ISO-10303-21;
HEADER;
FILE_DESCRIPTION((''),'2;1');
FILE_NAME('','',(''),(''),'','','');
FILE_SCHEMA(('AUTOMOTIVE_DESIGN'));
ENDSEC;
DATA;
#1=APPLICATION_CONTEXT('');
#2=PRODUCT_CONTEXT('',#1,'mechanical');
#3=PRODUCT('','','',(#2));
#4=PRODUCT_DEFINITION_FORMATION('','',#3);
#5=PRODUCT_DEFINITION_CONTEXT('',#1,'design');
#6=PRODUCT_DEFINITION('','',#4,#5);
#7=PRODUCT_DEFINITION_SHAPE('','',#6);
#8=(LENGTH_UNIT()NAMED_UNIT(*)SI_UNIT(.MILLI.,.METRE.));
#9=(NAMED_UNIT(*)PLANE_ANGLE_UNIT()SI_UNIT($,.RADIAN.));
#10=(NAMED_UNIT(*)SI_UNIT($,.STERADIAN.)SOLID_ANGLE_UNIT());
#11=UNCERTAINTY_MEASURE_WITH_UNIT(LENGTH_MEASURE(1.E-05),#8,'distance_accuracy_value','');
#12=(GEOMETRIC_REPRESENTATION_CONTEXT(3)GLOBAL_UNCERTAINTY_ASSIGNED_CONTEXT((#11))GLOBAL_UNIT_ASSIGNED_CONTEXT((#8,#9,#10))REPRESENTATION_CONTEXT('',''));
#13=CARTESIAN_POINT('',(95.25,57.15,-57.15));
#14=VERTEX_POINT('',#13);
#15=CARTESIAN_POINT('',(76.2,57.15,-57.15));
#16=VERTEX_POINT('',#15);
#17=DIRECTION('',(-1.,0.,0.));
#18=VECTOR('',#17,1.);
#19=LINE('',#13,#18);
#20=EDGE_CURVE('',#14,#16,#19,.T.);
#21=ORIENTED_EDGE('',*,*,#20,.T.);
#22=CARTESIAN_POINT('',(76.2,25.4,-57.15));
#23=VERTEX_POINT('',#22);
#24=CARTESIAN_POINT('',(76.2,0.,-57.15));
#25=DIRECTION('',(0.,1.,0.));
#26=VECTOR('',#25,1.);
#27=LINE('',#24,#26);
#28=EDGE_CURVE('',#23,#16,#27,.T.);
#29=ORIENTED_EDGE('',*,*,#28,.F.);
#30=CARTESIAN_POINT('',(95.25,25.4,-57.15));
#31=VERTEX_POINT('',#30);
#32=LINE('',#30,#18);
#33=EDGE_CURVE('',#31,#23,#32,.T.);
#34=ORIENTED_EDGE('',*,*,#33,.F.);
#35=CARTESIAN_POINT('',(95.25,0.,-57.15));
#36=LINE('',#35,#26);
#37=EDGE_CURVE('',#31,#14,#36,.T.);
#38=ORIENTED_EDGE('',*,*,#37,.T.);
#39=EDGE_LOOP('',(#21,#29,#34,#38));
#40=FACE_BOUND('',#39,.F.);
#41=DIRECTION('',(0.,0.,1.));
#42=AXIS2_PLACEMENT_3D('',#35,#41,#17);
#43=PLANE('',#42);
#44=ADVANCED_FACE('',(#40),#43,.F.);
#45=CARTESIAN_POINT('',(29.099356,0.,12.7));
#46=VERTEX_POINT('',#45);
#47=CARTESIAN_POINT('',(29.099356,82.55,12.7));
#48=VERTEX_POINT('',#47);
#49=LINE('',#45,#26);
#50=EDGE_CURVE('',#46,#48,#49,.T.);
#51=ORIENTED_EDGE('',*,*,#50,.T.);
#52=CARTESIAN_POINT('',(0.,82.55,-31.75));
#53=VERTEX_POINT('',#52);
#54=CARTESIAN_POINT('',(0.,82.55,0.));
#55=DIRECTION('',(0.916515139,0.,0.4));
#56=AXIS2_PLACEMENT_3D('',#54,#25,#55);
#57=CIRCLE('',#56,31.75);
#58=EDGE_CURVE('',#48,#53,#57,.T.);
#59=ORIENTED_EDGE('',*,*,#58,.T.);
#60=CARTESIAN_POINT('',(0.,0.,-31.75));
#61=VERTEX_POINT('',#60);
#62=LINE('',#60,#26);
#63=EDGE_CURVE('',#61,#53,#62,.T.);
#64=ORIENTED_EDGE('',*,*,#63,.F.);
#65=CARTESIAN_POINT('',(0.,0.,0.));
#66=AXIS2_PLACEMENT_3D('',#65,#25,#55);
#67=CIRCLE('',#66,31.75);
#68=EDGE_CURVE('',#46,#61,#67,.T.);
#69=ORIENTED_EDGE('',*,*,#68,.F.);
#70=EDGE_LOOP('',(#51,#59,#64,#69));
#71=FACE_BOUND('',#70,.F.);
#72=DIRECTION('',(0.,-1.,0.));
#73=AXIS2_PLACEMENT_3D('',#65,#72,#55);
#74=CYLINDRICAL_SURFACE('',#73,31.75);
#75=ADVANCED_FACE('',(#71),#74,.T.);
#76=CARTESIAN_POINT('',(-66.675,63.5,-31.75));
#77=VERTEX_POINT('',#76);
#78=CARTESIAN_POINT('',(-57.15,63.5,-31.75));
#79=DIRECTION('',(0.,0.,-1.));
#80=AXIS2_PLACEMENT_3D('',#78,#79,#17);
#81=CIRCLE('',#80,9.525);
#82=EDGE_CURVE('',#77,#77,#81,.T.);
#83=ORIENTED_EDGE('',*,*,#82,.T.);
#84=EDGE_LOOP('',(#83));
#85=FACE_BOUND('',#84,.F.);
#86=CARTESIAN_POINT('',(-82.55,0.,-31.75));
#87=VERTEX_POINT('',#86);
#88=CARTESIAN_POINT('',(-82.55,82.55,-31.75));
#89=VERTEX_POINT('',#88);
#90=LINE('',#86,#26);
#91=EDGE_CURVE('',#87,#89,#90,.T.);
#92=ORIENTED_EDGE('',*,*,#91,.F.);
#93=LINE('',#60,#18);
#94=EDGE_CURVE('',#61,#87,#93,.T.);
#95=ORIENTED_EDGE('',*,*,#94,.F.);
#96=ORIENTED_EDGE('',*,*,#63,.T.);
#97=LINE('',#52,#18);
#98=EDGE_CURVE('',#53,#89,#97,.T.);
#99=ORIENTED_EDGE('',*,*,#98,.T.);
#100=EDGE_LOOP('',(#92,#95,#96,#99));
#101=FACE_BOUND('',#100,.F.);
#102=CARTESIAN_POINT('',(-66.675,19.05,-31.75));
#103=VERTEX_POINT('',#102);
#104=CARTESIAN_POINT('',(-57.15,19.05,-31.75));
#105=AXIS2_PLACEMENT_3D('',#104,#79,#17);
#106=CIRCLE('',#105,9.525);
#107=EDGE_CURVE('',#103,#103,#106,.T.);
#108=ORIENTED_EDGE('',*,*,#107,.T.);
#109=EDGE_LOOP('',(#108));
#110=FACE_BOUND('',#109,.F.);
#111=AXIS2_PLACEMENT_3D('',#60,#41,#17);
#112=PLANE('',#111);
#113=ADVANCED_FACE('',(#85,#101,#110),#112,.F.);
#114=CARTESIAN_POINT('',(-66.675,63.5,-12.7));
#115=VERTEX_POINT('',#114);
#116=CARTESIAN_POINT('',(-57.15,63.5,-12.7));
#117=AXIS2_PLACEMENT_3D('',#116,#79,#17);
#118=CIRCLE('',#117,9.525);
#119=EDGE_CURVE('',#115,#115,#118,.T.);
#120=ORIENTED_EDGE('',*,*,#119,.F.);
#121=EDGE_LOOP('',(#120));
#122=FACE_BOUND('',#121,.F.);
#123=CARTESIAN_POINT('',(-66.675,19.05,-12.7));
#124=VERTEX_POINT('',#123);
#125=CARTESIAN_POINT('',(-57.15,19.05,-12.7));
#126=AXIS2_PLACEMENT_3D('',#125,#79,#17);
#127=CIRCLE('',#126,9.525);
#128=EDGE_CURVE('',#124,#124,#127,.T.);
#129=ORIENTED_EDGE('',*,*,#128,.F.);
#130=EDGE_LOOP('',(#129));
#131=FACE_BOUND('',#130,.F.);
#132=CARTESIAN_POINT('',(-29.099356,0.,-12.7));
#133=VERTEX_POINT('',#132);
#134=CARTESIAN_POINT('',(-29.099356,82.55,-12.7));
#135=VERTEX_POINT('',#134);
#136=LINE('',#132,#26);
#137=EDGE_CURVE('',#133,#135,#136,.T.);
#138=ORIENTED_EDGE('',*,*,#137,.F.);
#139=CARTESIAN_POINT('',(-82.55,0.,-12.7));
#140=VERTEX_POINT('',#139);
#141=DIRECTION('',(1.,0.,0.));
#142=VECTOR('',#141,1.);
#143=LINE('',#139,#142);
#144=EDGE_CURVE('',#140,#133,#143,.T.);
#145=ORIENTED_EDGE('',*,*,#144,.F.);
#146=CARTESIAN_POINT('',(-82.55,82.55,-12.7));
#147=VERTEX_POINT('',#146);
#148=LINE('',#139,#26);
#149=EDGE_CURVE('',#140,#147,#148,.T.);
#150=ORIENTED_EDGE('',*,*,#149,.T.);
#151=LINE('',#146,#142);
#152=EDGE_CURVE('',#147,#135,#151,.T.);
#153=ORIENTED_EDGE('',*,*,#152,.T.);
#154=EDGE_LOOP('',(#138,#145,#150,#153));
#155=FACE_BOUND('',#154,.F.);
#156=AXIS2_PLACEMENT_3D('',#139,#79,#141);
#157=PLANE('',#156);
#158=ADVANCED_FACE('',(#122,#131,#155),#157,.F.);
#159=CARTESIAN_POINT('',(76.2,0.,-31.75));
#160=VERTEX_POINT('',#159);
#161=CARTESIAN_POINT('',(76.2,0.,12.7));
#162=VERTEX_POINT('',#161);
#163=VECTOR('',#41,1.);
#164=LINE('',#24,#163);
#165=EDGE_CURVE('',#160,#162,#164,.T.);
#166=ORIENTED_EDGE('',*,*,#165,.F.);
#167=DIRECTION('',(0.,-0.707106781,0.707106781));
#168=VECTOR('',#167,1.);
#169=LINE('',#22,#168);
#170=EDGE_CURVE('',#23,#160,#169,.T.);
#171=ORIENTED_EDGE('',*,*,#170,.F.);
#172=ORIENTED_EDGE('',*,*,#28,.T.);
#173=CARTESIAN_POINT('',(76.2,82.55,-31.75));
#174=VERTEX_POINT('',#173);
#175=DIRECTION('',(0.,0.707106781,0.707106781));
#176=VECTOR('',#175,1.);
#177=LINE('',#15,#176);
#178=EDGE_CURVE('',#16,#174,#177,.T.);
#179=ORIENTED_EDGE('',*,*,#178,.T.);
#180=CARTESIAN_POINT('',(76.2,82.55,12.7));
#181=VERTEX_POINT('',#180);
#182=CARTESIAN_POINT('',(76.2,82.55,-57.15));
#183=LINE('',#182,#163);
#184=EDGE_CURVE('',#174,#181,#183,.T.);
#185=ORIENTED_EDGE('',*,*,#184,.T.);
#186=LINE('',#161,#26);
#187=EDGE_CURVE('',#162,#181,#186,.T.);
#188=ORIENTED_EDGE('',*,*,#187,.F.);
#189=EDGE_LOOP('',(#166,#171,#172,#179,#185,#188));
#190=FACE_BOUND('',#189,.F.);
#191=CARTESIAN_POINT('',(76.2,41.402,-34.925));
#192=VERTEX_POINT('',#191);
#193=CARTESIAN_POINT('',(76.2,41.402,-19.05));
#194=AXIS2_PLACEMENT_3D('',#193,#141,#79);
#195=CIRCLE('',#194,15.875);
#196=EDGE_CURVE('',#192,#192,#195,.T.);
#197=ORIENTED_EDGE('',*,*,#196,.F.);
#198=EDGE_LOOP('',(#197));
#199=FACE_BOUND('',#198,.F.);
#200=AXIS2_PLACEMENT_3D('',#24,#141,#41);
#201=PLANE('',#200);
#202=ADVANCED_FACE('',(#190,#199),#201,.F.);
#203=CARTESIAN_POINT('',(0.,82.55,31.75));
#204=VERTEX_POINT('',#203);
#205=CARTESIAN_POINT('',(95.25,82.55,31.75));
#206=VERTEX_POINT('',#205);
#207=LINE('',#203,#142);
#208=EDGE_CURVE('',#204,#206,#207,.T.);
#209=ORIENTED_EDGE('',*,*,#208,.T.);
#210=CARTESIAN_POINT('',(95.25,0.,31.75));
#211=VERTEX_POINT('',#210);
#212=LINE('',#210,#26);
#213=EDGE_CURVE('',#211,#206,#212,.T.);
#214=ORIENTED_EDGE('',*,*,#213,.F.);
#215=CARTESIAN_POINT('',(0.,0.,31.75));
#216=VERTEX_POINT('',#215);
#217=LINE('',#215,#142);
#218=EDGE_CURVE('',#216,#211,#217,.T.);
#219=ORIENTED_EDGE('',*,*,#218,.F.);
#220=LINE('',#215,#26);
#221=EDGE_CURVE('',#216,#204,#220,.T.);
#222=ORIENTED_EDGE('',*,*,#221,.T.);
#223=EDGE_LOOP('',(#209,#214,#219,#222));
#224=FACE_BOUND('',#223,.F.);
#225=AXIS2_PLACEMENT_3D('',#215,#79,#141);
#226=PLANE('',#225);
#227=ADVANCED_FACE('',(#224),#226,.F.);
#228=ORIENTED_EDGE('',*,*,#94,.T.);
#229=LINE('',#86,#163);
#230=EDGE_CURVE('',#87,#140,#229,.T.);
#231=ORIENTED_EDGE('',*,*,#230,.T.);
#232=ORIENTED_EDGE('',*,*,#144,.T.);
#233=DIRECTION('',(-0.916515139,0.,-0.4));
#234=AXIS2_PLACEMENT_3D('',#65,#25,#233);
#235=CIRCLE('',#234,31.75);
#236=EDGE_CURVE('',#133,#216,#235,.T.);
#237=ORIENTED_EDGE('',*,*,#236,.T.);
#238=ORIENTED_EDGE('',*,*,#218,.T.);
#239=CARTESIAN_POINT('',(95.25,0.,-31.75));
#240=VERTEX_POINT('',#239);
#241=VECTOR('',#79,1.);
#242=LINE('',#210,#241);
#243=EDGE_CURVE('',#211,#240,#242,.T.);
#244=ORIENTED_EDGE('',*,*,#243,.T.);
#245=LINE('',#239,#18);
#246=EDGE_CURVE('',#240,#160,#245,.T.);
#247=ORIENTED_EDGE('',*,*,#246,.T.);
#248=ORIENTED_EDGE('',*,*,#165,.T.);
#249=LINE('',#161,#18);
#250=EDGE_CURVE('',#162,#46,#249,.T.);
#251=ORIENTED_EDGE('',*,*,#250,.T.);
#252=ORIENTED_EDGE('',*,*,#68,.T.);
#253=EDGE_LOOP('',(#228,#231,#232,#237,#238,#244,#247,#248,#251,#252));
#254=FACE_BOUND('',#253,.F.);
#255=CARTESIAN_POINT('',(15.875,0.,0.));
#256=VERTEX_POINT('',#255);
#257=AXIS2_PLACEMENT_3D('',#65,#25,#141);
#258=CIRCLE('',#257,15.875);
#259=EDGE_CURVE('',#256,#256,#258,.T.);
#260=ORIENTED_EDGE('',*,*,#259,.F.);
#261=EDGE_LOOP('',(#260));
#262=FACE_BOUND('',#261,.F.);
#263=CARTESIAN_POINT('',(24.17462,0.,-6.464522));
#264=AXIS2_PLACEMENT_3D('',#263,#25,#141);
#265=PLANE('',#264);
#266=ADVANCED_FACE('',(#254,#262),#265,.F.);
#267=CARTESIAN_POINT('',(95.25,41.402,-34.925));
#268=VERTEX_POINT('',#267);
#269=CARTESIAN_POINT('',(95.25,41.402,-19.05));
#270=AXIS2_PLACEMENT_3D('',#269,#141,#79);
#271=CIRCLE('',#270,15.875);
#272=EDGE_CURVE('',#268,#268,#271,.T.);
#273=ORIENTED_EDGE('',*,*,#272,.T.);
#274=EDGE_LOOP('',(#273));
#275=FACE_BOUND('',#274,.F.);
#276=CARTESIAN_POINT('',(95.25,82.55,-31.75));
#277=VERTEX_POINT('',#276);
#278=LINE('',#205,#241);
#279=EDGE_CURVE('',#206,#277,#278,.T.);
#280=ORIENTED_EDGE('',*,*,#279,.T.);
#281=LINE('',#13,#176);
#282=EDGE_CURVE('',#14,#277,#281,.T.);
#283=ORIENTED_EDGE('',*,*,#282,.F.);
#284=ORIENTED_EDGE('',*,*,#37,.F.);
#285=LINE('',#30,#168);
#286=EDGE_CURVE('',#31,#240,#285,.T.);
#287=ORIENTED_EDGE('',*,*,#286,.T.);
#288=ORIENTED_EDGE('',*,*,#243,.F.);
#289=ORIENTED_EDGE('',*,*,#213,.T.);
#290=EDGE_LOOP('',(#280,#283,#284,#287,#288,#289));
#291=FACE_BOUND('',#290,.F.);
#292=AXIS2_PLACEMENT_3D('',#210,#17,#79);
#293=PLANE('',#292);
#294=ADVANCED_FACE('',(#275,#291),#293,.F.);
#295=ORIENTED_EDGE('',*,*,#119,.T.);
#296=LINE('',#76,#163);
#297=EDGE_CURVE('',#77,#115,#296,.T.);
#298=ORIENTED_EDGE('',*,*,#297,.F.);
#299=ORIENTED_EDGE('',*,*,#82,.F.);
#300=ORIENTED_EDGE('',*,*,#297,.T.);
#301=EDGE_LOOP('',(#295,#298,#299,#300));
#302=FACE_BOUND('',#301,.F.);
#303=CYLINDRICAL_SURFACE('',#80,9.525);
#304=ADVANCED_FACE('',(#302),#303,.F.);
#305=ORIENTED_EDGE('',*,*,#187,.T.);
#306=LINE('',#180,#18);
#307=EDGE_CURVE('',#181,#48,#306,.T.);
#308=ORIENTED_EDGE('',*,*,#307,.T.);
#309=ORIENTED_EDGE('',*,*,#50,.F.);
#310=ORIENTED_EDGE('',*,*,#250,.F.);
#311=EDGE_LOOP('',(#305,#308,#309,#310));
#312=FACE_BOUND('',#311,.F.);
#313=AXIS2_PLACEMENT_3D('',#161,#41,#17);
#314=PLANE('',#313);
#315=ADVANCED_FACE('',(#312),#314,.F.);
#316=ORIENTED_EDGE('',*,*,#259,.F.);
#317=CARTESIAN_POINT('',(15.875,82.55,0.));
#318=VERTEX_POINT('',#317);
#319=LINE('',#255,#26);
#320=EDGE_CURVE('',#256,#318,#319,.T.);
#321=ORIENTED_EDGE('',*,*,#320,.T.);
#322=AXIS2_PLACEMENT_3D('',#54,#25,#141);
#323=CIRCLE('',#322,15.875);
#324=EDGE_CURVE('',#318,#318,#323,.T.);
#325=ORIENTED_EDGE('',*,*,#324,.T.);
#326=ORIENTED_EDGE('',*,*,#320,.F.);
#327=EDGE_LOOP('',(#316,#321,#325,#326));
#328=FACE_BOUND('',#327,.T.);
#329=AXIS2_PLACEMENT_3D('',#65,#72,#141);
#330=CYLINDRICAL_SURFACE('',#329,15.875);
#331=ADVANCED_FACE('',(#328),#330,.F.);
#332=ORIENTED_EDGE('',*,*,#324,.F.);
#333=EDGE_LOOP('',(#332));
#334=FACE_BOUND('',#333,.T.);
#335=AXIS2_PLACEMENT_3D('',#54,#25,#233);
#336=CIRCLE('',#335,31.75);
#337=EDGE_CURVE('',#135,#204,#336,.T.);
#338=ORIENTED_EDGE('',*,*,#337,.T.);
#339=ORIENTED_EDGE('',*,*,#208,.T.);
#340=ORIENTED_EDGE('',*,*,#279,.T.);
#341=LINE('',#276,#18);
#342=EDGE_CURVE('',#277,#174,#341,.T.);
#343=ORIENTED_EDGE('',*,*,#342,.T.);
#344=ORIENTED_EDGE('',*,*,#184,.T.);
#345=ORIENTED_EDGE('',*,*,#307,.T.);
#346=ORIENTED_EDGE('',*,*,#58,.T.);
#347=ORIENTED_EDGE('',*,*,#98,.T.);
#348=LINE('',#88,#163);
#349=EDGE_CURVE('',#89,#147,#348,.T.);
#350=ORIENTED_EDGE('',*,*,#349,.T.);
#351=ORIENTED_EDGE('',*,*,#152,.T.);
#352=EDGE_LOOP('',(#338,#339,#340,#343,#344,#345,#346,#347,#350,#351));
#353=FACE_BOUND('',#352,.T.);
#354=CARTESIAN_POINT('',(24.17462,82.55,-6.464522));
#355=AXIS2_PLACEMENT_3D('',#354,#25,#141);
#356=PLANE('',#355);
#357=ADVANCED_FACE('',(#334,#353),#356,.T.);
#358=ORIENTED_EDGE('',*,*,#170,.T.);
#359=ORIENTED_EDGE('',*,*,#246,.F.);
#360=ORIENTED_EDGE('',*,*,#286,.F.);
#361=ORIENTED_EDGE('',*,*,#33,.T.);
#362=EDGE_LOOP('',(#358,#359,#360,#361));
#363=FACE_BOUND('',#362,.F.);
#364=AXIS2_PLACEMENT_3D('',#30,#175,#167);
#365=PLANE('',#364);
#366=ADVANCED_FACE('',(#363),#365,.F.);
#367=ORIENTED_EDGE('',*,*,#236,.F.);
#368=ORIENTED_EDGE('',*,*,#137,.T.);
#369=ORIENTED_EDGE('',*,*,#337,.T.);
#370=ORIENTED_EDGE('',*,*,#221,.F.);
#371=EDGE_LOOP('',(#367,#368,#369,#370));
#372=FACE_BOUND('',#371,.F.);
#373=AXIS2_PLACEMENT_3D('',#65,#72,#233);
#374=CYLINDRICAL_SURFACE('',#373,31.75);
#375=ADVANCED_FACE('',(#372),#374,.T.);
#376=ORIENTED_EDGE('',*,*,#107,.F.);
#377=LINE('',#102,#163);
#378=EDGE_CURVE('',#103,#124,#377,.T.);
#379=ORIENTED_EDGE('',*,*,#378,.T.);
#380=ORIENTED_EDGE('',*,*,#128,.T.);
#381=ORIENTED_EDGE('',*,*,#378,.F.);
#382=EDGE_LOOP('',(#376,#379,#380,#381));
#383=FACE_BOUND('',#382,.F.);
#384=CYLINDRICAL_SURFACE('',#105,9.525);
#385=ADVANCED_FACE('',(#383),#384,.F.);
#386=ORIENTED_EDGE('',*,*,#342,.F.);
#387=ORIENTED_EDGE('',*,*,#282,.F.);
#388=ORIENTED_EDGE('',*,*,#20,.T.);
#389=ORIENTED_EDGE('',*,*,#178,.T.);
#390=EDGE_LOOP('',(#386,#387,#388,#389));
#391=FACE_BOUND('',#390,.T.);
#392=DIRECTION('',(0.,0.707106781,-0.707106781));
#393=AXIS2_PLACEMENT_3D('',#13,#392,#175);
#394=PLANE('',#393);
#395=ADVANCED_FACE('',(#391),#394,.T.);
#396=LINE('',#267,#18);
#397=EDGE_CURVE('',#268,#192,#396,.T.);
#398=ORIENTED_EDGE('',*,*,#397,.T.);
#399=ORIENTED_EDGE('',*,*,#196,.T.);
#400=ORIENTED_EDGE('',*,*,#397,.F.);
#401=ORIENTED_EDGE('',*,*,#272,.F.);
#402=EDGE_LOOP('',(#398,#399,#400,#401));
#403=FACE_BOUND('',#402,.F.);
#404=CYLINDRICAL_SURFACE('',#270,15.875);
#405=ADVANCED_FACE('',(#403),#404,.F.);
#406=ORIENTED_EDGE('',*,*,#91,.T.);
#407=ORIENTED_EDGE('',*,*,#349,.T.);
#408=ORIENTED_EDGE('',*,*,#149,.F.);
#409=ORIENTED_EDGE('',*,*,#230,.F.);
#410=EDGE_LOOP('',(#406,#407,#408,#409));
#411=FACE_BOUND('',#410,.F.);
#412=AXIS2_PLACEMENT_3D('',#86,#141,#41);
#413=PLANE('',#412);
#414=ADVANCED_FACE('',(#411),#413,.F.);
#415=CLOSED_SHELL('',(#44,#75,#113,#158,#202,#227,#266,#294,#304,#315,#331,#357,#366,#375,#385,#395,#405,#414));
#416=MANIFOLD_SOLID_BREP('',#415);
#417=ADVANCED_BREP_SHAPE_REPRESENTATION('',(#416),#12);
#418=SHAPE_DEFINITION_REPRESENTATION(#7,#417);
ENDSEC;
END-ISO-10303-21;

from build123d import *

# Parameters (mm, degrees)
SKETCH1_R           = 15.875
BOSS_EXTRUDE1_DEPTH = 82.55
SKETCH2_R           = 9.525
CUT_EXTRUDE1_DEPTH  = 64.5
CUT_EXTRUDE2_DEPTH  = 19.05
SKETCH5_R           = 15.875
CUT_EXTRUDE3_DEPTH  = 19.05


with BuildPart() as part:
    # Sketch1 → Boss-Extrude1 (new body)
    with BuildSketch(Plane(origin=(0, 0, 0), x_dir=(1, 0, 0), z_dir=(0, 1, 0))):
        with BuildLine():
            Line((0, 31.75), (-82.55, 31.75))
            Line((-82.55, 31.75), (-82.55, 12.7))
            Line((-82.55, 12.7), (-29.099355663, 12.7))
            ThreePointArc((-29.099355663, 12.7), (-26.563955842, -17.390191201), (0, -31.75))
            Line((0, -31.75), (95.25, -31.75))
            Line((95.25, -31.75), (95.25, 57.15))
            Line((95.25, 57.15), (76.2, 57.15))
            Line((76.2, 57.15), (76.2, -12.7))
            Line((76.2, -12.7), (29.099355663, -12.7))
            ThreePointArc((29.099355663, -12.7), (26.563955842, 17.390191201), (0, 31.75))
        make_face()
        Circle(SKETCH1_R, mode=Mode.SUBTRACT)
    extrude(amount=BOSS_EXTRUDE1_DEPTH)

    # Sketch2 → Cut-Extrude1 (cut, through all)
    with BuildSketch(Plane(origin=(0, 0, -31.75), x_dir=(-1, 0, 0), z_dir=(0, 0, -1))):
        with Locations((57.15, 63.5)):
            Circle(SKETCH2_R)
        with Locations((57.15, 19.05)):
            Circle(SKETCH2_R)
    extrude(amount=-CUT_EXTRUDE1_DEPTH, mode=Mode.SUBTRACT)

    # Sketch4 → Cut-Extrude2 (cut)
    with BuildSketch(Plane(origin=(95.25, 0, 0), x_dir=(0, 0, -1), z_dir=(1, 0, 0))):
        Polygon((31.75, 0), (57.15, 0), (57.15, 25.4), align=None)
        Polygon((31.75, 82.55), (57.15, 82.55), (57.15, 57.15), align=None)
    extrude(amount=-CUT_EXTRUDE2_DEPTH, mode=Mode.SUBTRACT)

    # Sketch5 → Cut-Extrude3 (cut)
    with BuildSketch(Plane(origin=(95.25, 0, 0), x_dir=(0, 0, -1), z_dir=(1, 0, 0))):
        with Locations((19.05, 41.402)):
            Circle(SKETCH5_R)
    extrude(amount=-CUT_EXTRUDE3_DEPTH, mode=Mode.SUBTRACT)


solid = part.part
